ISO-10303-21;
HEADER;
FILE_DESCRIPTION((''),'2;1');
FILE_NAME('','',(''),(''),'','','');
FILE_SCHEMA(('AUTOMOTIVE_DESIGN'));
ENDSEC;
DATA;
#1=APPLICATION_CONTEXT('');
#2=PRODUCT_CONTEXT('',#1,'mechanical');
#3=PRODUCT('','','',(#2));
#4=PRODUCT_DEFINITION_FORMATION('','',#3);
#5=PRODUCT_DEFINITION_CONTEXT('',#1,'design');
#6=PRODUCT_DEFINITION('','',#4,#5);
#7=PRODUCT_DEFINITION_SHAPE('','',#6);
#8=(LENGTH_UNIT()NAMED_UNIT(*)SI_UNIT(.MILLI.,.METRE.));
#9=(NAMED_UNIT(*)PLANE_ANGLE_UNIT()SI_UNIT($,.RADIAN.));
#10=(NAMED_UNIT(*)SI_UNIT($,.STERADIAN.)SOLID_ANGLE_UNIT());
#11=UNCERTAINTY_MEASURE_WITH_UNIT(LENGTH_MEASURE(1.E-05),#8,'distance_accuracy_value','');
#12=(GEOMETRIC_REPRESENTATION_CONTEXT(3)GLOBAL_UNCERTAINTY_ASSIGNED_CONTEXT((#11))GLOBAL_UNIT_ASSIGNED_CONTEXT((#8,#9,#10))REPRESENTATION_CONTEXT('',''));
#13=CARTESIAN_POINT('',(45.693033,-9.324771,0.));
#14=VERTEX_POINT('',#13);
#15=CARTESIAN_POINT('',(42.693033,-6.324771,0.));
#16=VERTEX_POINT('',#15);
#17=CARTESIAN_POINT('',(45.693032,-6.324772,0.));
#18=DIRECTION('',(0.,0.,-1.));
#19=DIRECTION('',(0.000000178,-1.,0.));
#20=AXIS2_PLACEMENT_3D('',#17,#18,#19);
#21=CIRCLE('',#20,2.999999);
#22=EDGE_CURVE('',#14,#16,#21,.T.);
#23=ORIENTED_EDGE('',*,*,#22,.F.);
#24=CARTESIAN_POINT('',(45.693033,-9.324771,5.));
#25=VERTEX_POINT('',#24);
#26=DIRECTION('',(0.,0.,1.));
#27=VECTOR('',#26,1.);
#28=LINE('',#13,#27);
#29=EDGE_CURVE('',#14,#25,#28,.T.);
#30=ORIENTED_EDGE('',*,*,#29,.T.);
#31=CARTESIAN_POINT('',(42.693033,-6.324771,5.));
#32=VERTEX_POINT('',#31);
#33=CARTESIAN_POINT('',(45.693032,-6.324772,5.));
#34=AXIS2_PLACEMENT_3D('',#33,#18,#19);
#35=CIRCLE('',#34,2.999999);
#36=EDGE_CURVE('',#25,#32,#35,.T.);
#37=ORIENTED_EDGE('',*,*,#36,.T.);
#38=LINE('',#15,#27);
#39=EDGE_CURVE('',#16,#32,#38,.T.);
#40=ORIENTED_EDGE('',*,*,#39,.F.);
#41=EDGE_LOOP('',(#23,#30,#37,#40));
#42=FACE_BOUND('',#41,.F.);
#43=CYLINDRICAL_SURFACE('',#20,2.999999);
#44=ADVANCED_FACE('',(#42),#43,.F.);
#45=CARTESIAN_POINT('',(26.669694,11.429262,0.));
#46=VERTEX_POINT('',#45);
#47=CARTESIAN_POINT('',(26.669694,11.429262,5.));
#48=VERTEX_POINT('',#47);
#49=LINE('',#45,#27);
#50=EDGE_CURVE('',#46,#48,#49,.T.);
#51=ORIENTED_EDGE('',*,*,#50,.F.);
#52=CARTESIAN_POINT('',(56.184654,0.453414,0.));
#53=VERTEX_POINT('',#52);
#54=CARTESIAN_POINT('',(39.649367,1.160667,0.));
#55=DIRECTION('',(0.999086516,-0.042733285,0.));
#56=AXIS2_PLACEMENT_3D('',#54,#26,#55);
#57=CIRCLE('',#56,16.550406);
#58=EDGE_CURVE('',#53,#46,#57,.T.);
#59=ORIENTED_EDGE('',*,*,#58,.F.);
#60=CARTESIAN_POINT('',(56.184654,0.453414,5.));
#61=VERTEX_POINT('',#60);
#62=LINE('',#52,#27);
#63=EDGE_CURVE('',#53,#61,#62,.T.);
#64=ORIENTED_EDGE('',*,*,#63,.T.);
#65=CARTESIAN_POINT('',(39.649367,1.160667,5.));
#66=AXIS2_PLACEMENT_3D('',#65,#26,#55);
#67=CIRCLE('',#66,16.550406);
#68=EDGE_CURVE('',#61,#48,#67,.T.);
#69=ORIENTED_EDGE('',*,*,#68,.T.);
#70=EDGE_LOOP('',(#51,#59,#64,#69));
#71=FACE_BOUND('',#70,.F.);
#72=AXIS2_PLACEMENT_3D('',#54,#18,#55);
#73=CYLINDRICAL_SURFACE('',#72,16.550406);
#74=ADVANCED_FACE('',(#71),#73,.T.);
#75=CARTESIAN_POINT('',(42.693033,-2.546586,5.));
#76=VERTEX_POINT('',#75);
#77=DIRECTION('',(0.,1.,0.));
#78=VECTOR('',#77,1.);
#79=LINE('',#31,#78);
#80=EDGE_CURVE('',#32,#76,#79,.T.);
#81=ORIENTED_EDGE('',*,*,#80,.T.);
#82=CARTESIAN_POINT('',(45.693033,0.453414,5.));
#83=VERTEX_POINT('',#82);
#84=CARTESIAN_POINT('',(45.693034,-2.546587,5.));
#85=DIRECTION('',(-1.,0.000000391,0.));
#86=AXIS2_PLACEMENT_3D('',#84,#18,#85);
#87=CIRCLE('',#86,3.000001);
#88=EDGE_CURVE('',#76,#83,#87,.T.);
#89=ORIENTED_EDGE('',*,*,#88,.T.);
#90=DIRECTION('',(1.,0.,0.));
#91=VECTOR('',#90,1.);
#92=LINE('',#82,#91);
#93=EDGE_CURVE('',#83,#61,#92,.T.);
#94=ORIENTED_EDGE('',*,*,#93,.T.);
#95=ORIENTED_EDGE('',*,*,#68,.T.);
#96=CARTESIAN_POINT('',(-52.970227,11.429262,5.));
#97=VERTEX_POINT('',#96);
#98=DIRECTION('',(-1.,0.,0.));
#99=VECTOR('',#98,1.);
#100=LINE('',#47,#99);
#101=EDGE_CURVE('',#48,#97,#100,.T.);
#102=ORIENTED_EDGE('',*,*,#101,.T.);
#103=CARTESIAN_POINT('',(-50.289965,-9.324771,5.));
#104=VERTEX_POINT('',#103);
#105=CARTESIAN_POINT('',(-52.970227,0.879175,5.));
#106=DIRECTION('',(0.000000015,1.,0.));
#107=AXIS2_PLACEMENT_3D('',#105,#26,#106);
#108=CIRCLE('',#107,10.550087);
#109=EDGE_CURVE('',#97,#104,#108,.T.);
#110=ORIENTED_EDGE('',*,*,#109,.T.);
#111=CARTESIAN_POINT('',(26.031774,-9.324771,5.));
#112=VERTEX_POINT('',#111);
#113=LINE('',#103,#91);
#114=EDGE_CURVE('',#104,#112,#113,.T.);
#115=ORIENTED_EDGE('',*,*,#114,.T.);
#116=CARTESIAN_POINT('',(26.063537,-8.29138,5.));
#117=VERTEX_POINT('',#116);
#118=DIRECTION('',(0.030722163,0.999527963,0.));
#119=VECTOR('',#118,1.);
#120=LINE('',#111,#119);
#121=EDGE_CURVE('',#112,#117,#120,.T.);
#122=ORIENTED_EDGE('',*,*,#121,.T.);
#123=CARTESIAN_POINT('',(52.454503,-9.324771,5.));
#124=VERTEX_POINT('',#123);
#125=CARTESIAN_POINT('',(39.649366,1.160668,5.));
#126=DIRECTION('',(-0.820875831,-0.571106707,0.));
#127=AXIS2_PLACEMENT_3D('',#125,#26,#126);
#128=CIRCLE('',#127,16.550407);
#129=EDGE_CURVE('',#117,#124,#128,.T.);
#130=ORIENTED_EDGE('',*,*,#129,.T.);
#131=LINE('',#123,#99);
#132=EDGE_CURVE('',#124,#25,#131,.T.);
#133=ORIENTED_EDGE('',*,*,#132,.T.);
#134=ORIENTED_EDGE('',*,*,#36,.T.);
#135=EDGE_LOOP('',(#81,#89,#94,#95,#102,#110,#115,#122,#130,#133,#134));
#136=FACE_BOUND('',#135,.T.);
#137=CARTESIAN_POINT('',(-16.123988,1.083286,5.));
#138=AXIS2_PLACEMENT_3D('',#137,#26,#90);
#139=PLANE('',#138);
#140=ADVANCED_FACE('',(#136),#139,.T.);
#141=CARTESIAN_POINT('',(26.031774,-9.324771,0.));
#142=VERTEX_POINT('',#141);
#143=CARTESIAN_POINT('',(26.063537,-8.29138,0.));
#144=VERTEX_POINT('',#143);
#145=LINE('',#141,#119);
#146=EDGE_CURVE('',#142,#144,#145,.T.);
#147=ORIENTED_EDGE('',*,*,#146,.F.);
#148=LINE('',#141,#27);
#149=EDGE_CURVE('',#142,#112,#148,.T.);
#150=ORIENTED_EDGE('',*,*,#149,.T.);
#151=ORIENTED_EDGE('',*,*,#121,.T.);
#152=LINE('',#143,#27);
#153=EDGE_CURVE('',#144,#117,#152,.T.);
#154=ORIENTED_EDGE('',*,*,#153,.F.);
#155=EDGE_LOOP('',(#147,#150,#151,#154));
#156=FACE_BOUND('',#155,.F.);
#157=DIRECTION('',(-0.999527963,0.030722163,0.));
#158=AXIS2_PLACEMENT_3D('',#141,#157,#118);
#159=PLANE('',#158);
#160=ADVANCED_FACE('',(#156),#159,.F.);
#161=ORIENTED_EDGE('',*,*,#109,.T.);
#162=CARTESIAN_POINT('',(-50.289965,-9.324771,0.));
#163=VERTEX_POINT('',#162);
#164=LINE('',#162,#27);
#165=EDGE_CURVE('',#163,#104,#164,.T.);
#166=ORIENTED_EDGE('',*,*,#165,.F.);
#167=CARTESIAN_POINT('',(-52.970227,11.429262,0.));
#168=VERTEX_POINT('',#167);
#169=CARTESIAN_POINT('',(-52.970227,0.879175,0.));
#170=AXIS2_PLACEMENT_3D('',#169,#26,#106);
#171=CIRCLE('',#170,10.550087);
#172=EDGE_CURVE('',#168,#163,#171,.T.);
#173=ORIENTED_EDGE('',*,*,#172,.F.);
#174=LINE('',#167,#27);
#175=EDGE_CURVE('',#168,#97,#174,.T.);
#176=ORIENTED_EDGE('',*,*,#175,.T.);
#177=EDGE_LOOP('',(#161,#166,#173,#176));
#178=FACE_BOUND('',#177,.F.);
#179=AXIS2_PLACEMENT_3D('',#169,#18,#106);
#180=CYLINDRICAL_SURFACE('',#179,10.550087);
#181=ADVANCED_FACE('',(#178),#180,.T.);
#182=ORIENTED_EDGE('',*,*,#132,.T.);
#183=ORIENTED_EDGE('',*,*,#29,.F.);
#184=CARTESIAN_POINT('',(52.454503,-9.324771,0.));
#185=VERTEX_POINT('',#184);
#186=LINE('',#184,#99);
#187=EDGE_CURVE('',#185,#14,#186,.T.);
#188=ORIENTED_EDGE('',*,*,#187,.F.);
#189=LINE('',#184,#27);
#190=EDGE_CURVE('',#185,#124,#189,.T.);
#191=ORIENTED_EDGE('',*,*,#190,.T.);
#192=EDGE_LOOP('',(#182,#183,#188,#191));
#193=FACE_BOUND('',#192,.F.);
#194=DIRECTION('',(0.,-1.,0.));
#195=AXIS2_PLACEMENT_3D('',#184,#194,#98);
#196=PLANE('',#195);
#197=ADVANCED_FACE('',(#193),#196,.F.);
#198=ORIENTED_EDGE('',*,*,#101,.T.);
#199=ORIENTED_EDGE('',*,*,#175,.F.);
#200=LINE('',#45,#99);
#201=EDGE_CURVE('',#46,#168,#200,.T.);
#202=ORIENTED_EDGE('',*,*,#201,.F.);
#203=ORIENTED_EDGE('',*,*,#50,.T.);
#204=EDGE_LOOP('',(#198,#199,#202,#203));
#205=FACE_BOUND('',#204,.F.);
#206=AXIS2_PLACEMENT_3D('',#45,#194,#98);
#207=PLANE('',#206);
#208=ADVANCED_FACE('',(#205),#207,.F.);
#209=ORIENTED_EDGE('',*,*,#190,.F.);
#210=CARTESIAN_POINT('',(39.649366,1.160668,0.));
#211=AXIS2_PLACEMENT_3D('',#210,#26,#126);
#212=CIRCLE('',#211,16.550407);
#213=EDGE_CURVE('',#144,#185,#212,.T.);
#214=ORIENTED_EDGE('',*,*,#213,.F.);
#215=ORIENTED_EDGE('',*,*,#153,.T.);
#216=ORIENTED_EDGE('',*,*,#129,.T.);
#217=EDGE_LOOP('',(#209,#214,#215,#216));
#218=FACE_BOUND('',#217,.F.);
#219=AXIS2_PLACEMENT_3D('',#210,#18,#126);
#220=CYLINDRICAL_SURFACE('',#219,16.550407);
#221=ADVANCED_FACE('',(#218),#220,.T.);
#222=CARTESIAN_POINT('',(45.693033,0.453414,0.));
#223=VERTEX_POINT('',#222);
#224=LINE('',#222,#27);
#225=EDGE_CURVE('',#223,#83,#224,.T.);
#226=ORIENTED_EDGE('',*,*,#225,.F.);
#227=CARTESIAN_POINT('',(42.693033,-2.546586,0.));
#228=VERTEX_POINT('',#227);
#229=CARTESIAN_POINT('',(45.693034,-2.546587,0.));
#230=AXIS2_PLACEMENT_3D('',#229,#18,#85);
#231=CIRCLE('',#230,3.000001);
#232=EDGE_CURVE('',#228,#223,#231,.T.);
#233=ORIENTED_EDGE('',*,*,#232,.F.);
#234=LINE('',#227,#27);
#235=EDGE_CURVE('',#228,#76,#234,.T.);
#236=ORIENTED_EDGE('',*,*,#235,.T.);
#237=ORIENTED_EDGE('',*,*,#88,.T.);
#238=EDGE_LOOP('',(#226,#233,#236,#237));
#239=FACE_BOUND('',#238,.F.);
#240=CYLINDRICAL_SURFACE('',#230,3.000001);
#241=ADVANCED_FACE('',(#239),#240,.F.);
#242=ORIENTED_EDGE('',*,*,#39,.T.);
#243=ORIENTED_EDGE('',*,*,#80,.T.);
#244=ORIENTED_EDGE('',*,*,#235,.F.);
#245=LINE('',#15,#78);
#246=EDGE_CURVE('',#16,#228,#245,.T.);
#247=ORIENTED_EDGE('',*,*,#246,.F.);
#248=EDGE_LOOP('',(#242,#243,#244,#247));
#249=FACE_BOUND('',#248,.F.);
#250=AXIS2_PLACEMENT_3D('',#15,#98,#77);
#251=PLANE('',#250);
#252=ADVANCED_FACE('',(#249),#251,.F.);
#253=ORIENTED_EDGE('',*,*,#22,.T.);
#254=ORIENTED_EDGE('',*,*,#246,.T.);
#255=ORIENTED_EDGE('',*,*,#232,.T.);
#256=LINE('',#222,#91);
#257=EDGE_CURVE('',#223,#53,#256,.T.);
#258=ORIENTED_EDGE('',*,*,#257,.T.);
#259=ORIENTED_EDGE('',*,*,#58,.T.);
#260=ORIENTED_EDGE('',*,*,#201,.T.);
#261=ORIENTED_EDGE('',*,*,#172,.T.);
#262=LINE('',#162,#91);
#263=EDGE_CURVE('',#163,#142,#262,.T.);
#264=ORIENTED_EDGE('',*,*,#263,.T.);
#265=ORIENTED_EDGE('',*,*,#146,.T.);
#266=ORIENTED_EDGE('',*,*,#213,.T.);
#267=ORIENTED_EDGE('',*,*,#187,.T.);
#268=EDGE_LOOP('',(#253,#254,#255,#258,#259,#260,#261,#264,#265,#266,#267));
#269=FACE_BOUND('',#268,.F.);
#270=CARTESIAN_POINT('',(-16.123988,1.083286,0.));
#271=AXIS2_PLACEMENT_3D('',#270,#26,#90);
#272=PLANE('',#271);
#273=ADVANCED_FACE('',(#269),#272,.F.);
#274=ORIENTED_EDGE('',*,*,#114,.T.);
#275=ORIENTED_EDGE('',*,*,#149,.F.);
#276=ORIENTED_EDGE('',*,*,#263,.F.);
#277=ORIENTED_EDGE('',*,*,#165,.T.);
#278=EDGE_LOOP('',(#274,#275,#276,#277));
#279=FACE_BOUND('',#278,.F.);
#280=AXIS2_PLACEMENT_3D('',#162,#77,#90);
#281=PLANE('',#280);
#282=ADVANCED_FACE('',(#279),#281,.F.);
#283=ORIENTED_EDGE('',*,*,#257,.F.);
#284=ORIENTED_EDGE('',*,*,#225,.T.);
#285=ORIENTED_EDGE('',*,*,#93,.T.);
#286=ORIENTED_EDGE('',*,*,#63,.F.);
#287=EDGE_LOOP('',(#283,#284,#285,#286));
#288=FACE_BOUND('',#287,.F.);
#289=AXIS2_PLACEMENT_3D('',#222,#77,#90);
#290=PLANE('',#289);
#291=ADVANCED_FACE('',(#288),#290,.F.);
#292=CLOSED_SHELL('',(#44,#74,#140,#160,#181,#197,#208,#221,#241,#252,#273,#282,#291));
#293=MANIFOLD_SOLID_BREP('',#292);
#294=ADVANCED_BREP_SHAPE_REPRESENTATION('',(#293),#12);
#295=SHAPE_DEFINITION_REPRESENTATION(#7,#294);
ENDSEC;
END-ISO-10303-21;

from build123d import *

# Parameters (mm, degrees)
F1_DEPTH = 5


with BuildPart() as f1:
    # F0 (on Top) → F1 (new body)
    with BuildSketch(Plane.XY):
        with BuildLine():
            Line((26.669694, 11.429262), (-52.970227, 11.429262))
            ThreePointArc((-52.970227, 11.429262), (-63.433421, -0.472084), (-50.289965, -9.324771))
            Line((-50.289965, -9.324771), (26.031774, -9.324771))
            Line((26.031774, -9.324771), (26.063537, -8.29138))
            ThreePointArc((26.063537, -8.29138), (23.106773, 1.66914), (26.669694, 11.429262))
        make_face()
        with BuildLine():
            ThreePointArc((56.184654, 0.453414), (45.418068, 16.673179), (26.669694, 11.429262))
            ThreePointArc((26.669694, 11.429262), (23.106773, 1.66914), (26.063537, -8.29138))
            ThreePointArc((26.063537, -8.29138), (39.001798, -15.377065), (52.454503, -9.324771))
            Line((52.454503, -9.324771), (45.693033, -9.324771))
            ThreePointArc((45.693033, -9.324771), (43.571713, -8.446092), (42.693033, -6.324771))
            Line((42.693033, -6.324771), (42.693033, -2.546586))
            ThreePointArc((42.693033, -2.546586), (43.571713, -0.425266), (45.693033, 0.453414))
            Line((45.693033, 0.453414), (56.184654, 0.453414))
        make_face()
    extrude(amount=F1_DEPTH)


solid = f1.part
